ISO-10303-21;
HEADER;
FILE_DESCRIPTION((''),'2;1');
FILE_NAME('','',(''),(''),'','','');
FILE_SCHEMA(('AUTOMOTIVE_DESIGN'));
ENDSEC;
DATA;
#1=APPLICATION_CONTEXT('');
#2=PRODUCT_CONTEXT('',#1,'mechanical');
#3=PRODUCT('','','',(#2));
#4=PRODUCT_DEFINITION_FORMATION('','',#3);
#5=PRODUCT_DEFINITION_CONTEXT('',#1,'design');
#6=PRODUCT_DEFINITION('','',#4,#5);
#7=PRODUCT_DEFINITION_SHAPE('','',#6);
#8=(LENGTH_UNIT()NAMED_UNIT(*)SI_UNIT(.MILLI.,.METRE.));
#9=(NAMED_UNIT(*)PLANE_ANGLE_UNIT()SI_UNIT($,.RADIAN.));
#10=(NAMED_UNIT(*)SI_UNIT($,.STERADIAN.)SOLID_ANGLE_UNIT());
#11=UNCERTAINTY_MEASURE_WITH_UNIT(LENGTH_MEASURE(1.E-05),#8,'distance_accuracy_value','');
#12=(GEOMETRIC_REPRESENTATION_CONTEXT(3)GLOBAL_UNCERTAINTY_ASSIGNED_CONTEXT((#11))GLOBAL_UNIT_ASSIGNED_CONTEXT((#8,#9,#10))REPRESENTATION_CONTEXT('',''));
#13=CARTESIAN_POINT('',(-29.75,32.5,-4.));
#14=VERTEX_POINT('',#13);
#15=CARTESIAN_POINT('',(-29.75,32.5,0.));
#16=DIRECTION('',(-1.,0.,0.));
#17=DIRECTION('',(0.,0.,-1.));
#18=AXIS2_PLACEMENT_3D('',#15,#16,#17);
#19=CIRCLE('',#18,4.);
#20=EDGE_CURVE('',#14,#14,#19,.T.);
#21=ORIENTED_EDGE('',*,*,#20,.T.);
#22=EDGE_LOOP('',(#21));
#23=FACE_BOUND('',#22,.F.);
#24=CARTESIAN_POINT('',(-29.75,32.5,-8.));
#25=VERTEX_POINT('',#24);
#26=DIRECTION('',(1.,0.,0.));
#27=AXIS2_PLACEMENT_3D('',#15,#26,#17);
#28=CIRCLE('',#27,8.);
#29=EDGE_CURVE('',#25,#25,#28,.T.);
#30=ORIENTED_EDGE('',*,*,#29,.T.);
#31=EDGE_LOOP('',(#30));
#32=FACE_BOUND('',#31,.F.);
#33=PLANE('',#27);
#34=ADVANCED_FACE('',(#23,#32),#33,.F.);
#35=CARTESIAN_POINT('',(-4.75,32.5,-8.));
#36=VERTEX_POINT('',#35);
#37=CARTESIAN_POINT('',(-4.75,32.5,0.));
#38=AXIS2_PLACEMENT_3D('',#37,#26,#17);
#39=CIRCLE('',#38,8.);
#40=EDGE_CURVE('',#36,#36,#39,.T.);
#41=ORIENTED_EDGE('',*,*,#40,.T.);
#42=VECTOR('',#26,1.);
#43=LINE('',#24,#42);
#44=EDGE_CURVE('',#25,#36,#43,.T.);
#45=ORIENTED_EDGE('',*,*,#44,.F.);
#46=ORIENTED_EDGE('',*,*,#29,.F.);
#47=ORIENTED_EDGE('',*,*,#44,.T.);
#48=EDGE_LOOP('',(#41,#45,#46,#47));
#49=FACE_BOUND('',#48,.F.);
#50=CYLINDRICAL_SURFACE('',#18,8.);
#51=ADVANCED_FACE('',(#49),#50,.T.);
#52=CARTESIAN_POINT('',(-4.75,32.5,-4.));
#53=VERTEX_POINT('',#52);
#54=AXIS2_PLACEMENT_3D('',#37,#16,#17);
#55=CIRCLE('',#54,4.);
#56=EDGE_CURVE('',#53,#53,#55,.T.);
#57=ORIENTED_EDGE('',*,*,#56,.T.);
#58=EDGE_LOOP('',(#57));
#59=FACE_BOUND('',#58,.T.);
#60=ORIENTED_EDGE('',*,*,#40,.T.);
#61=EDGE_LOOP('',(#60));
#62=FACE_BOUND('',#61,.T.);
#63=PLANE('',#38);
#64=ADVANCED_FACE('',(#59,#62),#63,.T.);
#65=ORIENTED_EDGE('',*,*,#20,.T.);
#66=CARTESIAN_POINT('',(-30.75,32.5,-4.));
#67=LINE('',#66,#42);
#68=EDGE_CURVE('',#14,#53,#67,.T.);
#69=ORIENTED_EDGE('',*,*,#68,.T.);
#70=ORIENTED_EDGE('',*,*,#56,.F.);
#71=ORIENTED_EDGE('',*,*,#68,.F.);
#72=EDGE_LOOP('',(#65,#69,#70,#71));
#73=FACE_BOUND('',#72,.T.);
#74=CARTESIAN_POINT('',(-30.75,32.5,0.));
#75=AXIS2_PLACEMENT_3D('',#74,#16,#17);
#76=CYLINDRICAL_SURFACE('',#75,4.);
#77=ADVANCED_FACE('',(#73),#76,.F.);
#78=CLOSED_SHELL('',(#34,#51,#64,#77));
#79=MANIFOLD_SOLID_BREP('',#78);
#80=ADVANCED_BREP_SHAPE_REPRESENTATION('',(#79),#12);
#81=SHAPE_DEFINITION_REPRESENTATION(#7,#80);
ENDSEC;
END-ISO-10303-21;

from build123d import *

# Parameters (mm, degrees)
LM8UU_CEN_X_Y_INT_R           = 4
LM8UU_CEN_X_Y_INT_DEPTH       = 27
LM8UU_CEN_X_Y_INT_PITCH_ANGLE = 90
LM8UU_CEN_X_Y_EXT_R           = 8
LM8UU_CEN_X_Y_EXT_DEPTH       = 25
LM8UU_CEN_X_Y_EXT_PITCH_ANGLE = 90


with BuildPart() as lm8uu_cen_x_y_int:
    # lm8uu_cen_x_y_int → lm8uu_cen_x_y_int (new body)
    with BuildSketch(Plane.XY):
        Circle(LM8UU_CEN_X_Y_INT_R)
    extrude(amount=LM8UU_CEN_X_Y_INT_DEPTH)


with BuildPart() as lm8uu_cen_x_y_int_1:
    # lm8uu_cen_x_y_int pitch: moved
    add(lm8uu_cen_x_y_int.part.rotate(Axis((0, 0, 0), (0, 1, 0)), LM8UU_CEN_X_Y_INT_PITCH_ANGLE))


with BuildPart() as lm8uu_cen_x_y_int_2:
    # lm8uu_cen_x_y_int placement: moved
    add(lm8uu_cen_x_y_int_1.part.moved(Location((-13.5, 0, 0))))


with BuildPart() as lm8uu_cen_nx_y:
    # lm8uu_cen_x_y_ext → lm8uu_cen_x_y_ext (new body)
    with BuildSketch(Plane.XY):
        Circle(LM8UU_CEN_X_Y_EXT_R)
    extrude(amount=LM8UU_CEN_X_Y_EXT_DEPTH)


with BuildPart() as lm8uu_cen_nx_y_1:
    # lm8uu_cen_x_y_ext pitch: moved
    add(lm8uu_cen_nx_y.part.rotate(Axis((0, 0, 0), (0, 1, 0)), LM8UU_CEN_X_Y_EXT_PITCH_ANGLE))


with BuildPart() as lm8uu_cen_nx_y_2:
    # lm8uu_cen_x_y_ext placement: moved
    add(lm8uu_cen_nx_y_1.part.moved(Location((-12.5, 0, 0))))

    # lm8uu_cen_x_y: cut lm8uu_cen_x_y_int
    add(lm8uu_cen_x_y_int_2.part, mode=Mode.SUBTRACT)


with BuildPart() as lm8uu_cen_nx_y_3:
    # lm8uu_cen_x_y placement: moved
    add(lm8uu_cen_nx_y_2.part.moved(Location((17.25, 32.5, 0))))


with BuildPart() as lm8uu_cen_nx_y_4:
    # Clone027 placement: moved
    add(lm8uu_cen_nx_y_3.part.moved(Location((-34.5, 0, 0))))


solid = lm8uu_cen_nx_y_4.part
